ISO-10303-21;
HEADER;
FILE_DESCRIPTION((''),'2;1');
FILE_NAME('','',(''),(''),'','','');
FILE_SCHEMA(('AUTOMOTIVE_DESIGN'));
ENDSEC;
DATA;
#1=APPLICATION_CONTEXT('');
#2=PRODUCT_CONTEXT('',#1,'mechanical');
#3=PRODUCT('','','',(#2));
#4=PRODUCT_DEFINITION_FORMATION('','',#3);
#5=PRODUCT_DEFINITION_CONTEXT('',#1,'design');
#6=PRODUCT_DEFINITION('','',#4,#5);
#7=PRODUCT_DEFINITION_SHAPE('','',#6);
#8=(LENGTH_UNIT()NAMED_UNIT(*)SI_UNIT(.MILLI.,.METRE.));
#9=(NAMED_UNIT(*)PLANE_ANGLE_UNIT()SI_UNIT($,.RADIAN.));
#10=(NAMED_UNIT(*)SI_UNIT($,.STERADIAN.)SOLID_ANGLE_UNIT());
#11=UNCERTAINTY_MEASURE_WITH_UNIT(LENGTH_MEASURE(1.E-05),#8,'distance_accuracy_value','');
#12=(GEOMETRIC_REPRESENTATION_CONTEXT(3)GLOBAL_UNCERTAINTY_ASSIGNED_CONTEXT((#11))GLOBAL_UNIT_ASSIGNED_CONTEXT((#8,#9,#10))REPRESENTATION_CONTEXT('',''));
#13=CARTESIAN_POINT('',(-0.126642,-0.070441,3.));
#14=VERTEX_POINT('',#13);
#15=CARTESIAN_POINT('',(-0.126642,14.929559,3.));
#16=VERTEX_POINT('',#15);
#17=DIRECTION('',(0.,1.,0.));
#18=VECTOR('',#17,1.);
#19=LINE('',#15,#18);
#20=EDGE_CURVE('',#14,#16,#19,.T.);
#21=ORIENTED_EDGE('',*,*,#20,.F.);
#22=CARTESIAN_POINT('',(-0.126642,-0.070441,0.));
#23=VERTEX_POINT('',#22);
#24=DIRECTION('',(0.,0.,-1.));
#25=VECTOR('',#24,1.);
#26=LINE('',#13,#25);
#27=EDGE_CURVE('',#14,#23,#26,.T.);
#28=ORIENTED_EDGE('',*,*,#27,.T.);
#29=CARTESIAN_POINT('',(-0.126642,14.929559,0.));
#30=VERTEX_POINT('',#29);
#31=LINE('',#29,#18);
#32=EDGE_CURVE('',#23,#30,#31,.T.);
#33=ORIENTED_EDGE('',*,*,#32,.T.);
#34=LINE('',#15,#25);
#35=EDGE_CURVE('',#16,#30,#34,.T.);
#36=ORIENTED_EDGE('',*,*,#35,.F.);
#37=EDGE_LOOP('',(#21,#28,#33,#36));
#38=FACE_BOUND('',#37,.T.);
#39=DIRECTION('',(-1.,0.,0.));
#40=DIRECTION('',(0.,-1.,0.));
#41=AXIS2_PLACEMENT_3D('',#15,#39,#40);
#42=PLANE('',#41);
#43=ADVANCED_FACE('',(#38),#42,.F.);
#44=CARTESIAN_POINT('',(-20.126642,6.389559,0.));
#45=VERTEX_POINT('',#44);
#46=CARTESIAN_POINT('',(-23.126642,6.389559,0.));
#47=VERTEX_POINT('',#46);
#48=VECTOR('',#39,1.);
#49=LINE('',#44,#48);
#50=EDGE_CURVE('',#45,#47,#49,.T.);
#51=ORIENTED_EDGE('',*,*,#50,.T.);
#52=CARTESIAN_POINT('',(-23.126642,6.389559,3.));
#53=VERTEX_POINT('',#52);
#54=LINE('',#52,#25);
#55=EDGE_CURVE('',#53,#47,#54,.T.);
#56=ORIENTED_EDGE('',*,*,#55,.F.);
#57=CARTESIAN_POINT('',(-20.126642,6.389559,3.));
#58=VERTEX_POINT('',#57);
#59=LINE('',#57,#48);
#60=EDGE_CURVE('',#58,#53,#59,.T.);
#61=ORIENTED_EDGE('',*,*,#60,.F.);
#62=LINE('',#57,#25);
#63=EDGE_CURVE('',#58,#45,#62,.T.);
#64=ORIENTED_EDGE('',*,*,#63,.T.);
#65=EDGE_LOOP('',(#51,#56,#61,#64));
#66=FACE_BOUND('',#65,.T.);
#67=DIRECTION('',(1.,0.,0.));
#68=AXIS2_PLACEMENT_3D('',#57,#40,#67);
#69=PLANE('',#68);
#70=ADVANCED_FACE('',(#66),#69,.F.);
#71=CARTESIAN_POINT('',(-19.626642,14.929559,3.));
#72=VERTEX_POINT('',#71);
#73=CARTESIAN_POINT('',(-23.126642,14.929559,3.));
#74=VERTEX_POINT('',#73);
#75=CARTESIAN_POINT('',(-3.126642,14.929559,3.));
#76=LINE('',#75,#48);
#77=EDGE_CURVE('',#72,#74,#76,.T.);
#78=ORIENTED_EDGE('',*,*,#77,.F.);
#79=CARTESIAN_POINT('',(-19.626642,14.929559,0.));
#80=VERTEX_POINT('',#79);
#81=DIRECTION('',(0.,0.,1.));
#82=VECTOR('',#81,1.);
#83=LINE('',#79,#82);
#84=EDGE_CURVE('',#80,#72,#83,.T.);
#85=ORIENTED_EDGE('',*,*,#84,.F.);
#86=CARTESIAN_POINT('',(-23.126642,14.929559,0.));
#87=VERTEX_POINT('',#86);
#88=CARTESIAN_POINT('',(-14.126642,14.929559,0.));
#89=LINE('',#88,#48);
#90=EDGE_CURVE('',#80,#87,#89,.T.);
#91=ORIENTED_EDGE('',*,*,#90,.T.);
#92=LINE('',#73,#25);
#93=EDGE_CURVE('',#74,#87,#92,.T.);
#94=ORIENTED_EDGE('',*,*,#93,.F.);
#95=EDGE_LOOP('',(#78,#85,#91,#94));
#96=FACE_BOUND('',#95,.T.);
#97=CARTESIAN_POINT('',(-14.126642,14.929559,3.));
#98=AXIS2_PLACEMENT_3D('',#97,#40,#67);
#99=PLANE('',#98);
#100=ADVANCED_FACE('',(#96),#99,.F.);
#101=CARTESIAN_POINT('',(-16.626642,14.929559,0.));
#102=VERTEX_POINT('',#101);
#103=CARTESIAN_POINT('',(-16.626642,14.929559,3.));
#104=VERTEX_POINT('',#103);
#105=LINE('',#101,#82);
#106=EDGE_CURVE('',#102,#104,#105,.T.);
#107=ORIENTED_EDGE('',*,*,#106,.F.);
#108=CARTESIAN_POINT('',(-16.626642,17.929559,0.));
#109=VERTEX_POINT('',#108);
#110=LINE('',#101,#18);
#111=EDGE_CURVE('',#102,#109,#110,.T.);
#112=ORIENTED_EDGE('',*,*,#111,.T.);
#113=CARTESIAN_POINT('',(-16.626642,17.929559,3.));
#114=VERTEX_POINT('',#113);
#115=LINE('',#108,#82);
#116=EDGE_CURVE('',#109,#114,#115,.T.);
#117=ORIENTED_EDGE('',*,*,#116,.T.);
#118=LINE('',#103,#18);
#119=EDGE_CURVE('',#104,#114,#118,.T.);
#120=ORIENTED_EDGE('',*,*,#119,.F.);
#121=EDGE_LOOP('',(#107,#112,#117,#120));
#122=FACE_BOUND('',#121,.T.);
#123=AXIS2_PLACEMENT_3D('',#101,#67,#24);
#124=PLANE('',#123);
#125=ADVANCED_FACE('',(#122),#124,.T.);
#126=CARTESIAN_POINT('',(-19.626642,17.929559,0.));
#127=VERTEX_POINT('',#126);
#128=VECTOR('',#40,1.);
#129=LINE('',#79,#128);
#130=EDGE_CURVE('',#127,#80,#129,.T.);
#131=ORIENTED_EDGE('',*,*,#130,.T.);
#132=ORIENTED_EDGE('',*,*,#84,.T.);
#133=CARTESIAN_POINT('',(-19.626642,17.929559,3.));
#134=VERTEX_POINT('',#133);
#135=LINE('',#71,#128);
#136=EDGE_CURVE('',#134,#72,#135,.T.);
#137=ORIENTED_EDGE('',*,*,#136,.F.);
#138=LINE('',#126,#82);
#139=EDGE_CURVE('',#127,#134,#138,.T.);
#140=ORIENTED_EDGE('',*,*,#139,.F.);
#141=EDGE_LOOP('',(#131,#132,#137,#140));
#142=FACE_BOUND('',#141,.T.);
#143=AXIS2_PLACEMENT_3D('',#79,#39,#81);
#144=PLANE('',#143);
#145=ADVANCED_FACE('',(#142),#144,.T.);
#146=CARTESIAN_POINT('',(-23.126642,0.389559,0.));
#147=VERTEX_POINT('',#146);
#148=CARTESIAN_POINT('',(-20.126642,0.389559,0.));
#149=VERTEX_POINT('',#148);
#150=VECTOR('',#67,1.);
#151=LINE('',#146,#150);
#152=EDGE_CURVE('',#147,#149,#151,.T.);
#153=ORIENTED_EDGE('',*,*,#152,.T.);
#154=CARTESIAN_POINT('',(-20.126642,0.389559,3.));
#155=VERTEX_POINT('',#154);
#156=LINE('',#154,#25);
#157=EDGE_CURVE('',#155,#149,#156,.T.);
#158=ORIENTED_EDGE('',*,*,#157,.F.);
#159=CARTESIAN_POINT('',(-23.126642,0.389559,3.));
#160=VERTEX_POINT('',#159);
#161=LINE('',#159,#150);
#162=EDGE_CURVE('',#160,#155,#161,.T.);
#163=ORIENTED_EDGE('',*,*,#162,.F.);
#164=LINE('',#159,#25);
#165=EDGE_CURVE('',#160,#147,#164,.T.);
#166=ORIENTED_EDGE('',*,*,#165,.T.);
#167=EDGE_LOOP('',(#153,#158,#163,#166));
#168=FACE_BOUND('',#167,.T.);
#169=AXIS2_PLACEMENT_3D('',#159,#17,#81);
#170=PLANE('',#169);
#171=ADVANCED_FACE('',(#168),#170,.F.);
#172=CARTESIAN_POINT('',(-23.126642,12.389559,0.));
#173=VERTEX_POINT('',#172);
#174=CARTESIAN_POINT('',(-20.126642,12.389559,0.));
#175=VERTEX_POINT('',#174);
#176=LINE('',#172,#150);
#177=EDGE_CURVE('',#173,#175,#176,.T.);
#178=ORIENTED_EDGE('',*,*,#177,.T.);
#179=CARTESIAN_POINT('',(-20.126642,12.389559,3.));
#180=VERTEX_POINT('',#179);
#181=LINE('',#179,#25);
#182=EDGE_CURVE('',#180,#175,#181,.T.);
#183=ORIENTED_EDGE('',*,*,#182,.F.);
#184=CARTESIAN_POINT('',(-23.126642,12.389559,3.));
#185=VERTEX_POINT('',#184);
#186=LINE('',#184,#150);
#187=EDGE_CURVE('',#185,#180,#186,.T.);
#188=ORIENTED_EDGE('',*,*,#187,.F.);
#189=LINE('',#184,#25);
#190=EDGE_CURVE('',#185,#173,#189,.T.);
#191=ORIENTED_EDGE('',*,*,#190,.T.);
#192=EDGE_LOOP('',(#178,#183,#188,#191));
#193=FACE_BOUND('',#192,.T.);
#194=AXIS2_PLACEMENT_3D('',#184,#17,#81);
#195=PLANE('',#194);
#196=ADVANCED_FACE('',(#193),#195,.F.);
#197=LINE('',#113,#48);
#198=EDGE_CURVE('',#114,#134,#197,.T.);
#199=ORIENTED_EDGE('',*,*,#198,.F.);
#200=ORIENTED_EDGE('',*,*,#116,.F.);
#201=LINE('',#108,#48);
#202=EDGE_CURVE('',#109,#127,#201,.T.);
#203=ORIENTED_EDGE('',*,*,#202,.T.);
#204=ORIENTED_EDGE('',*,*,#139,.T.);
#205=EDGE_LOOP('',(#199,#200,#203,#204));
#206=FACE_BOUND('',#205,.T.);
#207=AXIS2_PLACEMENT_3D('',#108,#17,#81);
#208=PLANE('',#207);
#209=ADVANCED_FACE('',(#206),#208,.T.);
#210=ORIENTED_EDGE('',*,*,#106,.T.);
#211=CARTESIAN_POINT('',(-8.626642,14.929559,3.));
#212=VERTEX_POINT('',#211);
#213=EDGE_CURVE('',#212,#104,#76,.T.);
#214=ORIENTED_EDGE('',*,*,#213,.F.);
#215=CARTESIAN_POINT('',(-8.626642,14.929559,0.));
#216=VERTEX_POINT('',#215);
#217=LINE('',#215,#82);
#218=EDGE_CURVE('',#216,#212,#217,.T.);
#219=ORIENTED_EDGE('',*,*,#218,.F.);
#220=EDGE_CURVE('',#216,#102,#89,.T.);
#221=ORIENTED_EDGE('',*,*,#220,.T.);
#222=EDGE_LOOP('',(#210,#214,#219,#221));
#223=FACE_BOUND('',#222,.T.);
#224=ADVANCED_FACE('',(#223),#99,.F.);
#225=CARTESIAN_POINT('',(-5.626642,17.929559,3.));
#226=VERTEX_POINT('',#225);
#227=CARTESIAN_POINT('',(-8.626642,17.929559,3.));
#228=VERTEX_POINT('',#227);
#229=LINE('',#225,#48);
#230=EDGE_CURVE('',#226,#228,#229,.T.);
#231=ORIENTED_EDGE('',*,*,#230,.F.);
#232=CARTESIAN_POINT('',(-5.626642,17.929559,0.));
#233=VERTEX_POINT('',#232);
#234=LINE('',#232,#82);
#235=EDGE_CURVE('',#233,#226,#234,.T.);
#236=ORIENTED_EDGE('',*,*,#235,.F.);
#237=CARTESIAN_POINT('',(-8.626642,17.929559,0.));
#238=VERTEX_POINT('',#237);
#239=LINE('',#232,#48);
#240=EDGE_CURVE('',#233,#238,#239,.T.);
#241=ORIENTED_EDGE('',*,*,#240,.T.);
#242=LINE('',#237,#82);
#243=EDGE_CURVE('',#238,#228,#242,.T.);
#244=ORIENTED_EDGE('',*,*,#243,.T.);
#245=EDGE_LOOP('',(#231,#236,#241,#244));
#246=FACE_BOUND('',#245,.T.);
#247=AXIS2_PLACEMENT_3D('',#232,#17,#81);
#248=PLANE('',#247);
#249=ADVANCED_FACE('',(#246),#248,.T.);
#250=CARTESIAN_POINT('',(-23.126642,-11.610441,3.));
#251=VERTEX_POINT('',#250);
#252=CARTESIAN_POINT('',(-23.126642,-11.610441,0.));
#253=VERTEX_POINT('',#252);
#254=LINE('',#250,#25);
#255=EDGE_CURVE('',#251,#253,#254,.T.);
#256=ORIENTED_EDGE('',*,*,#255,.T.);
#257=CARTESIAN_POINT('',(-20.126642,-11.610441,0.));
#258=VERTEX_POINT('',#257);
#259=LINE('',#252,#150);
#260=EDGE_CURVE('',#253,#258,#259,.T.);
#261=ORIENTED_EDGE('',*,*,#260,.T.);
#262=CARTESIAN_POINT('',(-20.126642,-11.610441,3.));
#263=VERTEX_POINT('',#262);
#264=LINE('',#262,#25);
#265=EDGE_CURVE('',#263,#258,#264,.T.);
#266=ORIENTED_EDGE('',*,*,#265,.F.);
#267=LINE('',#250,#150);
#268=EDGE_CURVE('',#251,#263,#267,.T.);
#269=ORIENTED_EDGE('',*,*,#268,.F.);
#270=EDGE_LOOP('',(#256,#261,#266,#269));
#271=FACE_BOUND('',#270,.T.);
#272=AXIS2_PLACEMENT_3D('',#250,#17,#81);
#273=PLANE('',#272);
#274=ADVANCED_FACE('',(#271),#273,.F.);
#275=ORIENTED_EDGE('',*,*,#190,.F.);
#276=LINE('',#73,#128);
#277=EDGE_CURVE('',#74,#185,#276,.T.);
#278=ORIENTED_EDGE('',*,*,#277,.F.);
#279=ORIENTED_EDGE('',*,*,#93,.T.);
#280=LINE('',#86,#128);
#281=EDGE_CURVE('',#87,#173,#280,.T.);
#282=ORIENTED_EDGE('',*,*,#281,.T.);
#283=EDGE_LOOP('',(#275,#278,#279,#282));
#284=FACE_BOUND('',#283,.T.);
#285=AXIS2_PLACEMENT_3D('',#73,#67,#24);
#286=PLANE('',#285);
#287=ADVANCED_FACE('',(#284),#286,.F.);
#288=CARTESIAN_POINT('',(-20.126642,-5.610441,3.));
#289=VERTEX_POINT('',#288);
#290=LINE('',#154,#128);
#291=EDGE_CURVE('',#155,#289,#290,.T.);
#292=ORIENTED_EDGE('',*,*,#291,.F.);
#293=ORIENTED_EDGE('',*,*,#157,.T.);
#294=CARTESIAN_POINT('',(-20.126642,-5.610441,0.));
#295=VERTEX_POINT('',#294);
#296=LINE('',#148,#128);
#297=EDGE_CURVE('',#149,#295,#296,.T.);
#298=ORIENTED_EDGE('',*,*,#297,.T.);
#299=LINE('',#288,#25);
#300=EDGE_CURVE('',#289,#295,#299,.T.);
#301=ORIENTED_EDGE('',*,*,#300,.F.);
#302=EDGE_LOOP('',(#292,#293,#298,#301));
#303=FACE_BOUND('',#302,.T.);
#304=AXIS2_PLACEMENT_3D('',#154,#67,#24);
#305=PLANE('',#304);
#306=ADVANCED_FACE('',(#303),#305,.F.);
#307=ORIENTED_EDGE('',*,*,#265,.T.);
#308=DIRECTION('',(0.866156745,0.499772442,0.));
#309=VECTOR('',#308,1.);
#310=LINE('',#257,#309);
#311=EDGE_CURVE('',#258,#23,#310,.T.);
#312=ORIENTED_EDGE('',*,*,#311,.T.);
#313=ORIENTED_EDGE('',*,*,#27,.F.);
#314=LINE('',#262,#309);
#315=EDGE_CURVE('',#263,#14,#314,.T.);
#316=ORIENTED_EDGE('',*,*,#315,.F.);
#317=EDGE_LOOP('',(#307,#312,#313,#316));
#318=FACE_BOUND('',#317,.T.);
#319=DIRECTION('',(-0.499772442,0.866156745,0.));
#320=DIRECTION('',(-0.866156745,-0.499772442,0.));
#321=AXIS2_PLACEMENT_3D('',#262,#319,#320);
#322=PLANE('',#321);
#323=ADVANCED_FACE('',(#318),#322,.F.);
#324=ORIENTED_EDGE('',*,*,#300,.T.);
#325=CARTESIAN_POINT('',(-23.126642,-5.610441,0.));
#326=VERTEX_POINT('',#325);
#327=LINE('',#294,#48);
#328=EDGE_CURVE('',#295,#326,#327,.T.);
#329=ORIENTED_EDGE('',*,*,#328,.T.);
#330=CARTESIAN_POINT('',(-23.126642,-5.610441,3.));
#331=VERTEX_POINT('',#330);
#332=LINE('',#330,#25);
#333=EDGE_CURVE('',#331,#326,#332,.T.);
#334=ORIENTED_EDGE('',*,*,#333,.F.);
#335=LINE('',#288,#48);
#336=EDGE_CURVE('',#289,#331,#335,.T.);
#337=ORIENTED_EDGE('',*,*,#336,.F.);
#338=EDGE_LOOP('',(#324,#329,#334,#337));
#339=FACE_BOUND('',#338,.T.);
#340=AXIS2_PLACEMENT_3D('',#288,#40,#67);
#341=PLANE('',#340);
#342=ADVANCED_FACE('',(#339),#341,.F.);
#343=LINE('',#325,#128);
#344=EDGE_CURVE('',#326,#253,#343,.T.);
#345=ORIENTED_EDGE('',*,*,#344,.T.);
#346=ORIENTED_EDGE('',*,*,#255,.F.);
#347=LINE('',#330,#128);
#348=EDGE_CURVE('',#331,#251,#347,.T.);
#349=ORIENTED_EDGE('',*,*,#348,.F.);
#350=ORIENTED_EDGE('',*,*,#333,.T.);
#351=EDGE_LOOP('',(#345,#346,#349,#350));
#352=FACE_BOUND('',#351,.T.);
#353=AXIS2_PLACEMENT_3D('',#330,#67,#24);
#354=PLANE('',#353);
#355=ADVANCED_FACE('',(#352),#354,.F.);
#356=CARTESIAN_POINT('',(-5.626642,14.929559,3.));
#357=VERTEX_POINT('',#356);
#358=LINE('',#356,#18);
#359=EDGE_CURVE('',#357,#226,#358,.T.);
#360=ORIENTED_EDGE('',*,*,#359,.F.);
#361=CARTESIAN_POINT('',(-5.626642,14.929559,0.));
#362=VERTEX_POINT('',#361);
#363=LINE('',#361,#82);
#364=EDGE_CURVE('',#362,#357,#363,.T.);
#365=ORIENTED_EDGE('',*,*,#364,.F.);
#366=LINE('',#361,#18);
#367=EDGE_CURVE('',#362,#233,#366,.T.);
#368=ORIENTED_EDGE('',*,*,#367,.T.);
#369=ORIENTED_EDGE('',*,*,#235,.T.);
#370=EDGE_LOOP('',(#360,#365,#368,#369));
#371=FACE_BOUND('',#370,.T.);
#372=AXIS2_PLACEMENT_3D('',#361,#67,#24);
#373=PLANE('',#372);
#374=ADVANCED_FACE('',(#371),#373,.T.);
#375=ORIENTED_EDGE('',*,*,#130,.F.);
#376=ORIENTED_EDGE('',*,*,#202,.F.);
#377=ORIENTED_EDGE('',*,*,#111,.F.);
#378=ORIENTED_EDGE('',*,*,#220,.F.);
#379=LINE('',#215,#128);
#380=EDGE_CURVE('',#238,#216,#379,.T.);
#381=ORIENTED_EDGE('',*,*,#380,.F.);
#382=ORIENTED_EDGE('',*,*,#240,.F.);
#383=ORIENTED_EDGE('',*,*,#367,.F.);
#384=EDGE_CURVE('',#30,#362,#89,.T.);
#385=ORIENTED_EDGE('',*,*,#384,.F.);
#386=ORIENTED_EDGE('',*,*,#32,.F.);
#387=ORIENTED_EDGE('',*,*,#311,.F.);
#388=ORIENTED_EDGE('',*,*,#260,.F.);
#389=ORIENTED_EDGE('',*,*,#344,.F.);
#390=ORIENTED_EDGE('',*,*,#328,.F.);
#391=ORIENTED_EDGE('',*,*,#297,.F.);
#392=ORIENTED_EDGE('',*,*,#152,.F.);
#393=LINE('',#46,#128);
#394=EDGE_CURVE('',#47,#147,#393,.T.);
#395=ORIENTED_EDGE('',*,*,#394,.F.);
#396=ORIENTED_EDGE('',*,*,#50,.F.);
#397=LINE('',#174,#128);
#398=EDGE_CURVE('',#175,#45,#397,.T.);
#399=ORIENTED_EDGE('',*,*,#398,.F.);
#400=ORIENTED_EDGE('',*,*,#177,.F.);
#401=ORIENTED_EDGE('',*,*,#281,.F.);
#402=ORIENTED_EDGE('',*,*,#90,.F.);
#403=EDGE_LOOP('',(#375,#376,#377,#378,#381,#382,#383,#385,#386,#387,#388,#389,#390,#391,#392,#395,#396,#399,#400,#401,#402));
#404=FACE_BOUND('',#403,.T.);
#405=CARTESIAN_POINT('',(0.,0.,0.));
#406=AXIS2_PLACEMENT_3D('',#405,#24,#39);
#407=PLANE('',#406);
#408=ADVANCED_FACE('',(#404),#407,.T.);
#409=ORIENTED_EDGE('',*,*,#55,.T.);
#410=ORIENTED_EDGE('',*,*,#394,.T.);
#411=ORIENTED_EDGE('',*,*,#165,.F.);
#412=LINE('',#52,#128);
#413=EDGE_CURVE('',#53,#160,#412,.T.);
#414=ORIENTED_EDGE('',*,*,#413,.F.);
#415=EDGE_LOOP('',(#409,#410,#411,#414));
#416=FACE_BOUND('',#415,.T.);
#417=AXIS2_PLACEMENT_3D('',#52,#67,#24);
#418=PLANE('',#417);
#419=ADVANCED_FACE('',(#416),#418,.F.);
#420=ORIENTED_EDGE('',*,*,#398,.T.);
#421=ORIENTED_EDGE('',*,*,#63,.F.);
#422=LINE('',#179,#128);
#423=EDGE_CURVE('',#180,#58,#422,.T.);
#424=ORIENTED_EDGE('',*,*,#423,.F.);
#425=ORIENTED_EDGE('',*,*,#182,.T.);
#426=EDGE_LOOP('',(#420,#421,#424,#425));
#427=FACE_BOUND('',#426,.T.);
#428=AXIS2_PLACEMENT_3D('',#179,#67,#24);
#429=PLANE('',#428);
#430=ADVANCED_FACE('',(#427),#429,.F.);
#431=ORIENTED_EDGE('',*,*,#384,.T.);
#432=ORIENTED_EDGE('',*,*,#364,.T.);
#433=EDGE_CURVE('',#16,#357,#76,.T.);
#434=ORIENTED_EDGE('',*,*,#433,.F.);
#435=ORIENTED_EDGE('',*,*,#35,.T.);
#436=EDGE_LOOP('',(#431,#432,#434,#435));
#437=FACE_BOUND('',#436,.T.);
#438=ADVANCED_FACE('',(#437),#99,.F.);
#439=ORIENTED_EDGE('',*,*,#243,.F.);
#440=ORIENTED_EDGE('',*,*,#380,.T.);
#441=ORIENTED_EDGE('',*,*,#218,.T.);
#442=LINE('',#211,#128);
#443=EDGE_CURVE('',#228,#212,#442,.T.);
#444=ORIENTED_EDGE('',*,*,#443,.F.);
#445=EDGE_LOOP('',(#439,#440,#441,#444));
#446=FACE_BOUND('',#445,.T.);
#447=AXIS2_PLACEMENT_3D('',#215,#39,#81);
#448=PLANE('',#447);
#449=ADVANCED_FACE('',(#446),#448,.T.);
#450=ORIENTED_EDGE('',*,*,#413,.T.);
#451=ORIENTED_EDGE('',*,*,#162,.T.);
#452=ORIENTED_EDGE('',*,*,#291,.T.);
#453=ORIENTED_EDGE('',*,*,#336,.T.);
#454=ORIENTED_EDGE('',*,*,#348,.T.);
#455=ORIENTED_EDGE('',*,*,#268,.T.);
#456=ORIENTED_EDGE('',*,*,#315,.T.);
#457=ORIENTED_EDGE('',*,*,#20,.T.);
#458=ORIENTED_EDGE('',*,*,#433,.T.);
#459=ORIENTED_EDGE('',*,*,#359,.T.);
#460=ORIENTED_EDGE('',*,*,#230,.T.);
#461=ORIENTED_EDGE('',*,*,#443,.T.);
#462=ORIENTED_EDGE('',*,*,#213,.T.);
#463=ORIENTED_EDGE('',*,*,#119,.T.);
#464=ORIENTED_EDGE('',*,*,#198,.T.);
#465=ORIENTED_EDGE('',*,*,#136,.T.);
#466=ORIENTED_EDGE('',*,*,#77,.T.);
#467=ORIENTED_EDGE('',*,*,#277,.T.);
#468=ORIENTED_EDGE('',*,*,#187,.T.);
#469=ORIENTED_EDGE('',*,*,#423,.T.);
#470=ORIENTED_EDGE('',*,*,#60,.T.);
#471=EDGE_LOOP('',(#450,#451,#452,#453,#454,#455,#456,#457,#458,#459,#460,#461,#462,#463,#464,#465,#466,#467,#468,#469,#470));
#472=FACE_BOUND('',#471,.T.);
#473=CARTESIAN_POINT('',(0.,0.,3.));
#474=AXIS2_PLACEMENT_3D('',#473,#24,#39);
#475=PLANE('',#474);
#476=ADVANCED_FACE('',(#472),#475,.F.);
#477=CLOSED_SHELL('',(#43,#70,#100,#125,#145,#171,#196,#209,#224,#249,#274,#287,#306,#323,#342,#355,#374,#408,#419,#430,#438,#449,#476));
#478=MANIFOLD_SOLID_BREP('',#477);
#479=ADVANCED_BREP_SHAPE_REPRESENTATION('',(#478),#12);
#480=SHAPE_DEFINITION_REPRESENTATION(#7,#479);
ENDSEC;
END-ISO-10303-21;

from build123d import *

# Parameters (mm, degrees)
BOSS_EXTRUDE1_DEPTH = 3
SKETCH2_W           = 3
SKETCH2_H           = 3
BOSS_EXTRUDE2_DEPTH = 3


with BuildPart() as part:
    # Sketch1 → Boss-Extrude1 (new body)
    with BuildSketch(Plane.XY):
        Polygon((-0.126642445, 14.929558907), (-0.126642445, -0.070441093), (-20.126642445, -11.610441093), (-23.126642445, -11.610441093), (-23.126642445, -5.610441093), (-20.126642445, -5.610441093), (-20.126642445, 0.389558907), (-23.126642445, 0.389558907), (-23.126642445, 6.389558907), (-20.126642445, 6.389558907), (-20.126642445, 12.389558907), (-23.126642445, 12.389558907), (-23.126642445, 14.929558907), (-14.126642445, 14.929558907), (-11.126642445, 14.929558907), (-3.126642445, 14.929558907), align=None)
    extrude(amount=BOSS_EXTRUDE1_DEPTH)

    # Sketch2 → Boss-Extrude2 (add)
    with BuildSketch(Plane.XY.offset(3)):
        with Locations((-7.126642445, 16.429558907)):
            Rectangle(SKETCH2_W, SKETCH2_H)
        with Locations((-18.126642445, 16.429558907)):
            Rectangle(SKETCH2_W, SKETCH2_H)
    extrude(amount=-BOSS_EXTRUDE2_DEPTH)


solid = part.part
